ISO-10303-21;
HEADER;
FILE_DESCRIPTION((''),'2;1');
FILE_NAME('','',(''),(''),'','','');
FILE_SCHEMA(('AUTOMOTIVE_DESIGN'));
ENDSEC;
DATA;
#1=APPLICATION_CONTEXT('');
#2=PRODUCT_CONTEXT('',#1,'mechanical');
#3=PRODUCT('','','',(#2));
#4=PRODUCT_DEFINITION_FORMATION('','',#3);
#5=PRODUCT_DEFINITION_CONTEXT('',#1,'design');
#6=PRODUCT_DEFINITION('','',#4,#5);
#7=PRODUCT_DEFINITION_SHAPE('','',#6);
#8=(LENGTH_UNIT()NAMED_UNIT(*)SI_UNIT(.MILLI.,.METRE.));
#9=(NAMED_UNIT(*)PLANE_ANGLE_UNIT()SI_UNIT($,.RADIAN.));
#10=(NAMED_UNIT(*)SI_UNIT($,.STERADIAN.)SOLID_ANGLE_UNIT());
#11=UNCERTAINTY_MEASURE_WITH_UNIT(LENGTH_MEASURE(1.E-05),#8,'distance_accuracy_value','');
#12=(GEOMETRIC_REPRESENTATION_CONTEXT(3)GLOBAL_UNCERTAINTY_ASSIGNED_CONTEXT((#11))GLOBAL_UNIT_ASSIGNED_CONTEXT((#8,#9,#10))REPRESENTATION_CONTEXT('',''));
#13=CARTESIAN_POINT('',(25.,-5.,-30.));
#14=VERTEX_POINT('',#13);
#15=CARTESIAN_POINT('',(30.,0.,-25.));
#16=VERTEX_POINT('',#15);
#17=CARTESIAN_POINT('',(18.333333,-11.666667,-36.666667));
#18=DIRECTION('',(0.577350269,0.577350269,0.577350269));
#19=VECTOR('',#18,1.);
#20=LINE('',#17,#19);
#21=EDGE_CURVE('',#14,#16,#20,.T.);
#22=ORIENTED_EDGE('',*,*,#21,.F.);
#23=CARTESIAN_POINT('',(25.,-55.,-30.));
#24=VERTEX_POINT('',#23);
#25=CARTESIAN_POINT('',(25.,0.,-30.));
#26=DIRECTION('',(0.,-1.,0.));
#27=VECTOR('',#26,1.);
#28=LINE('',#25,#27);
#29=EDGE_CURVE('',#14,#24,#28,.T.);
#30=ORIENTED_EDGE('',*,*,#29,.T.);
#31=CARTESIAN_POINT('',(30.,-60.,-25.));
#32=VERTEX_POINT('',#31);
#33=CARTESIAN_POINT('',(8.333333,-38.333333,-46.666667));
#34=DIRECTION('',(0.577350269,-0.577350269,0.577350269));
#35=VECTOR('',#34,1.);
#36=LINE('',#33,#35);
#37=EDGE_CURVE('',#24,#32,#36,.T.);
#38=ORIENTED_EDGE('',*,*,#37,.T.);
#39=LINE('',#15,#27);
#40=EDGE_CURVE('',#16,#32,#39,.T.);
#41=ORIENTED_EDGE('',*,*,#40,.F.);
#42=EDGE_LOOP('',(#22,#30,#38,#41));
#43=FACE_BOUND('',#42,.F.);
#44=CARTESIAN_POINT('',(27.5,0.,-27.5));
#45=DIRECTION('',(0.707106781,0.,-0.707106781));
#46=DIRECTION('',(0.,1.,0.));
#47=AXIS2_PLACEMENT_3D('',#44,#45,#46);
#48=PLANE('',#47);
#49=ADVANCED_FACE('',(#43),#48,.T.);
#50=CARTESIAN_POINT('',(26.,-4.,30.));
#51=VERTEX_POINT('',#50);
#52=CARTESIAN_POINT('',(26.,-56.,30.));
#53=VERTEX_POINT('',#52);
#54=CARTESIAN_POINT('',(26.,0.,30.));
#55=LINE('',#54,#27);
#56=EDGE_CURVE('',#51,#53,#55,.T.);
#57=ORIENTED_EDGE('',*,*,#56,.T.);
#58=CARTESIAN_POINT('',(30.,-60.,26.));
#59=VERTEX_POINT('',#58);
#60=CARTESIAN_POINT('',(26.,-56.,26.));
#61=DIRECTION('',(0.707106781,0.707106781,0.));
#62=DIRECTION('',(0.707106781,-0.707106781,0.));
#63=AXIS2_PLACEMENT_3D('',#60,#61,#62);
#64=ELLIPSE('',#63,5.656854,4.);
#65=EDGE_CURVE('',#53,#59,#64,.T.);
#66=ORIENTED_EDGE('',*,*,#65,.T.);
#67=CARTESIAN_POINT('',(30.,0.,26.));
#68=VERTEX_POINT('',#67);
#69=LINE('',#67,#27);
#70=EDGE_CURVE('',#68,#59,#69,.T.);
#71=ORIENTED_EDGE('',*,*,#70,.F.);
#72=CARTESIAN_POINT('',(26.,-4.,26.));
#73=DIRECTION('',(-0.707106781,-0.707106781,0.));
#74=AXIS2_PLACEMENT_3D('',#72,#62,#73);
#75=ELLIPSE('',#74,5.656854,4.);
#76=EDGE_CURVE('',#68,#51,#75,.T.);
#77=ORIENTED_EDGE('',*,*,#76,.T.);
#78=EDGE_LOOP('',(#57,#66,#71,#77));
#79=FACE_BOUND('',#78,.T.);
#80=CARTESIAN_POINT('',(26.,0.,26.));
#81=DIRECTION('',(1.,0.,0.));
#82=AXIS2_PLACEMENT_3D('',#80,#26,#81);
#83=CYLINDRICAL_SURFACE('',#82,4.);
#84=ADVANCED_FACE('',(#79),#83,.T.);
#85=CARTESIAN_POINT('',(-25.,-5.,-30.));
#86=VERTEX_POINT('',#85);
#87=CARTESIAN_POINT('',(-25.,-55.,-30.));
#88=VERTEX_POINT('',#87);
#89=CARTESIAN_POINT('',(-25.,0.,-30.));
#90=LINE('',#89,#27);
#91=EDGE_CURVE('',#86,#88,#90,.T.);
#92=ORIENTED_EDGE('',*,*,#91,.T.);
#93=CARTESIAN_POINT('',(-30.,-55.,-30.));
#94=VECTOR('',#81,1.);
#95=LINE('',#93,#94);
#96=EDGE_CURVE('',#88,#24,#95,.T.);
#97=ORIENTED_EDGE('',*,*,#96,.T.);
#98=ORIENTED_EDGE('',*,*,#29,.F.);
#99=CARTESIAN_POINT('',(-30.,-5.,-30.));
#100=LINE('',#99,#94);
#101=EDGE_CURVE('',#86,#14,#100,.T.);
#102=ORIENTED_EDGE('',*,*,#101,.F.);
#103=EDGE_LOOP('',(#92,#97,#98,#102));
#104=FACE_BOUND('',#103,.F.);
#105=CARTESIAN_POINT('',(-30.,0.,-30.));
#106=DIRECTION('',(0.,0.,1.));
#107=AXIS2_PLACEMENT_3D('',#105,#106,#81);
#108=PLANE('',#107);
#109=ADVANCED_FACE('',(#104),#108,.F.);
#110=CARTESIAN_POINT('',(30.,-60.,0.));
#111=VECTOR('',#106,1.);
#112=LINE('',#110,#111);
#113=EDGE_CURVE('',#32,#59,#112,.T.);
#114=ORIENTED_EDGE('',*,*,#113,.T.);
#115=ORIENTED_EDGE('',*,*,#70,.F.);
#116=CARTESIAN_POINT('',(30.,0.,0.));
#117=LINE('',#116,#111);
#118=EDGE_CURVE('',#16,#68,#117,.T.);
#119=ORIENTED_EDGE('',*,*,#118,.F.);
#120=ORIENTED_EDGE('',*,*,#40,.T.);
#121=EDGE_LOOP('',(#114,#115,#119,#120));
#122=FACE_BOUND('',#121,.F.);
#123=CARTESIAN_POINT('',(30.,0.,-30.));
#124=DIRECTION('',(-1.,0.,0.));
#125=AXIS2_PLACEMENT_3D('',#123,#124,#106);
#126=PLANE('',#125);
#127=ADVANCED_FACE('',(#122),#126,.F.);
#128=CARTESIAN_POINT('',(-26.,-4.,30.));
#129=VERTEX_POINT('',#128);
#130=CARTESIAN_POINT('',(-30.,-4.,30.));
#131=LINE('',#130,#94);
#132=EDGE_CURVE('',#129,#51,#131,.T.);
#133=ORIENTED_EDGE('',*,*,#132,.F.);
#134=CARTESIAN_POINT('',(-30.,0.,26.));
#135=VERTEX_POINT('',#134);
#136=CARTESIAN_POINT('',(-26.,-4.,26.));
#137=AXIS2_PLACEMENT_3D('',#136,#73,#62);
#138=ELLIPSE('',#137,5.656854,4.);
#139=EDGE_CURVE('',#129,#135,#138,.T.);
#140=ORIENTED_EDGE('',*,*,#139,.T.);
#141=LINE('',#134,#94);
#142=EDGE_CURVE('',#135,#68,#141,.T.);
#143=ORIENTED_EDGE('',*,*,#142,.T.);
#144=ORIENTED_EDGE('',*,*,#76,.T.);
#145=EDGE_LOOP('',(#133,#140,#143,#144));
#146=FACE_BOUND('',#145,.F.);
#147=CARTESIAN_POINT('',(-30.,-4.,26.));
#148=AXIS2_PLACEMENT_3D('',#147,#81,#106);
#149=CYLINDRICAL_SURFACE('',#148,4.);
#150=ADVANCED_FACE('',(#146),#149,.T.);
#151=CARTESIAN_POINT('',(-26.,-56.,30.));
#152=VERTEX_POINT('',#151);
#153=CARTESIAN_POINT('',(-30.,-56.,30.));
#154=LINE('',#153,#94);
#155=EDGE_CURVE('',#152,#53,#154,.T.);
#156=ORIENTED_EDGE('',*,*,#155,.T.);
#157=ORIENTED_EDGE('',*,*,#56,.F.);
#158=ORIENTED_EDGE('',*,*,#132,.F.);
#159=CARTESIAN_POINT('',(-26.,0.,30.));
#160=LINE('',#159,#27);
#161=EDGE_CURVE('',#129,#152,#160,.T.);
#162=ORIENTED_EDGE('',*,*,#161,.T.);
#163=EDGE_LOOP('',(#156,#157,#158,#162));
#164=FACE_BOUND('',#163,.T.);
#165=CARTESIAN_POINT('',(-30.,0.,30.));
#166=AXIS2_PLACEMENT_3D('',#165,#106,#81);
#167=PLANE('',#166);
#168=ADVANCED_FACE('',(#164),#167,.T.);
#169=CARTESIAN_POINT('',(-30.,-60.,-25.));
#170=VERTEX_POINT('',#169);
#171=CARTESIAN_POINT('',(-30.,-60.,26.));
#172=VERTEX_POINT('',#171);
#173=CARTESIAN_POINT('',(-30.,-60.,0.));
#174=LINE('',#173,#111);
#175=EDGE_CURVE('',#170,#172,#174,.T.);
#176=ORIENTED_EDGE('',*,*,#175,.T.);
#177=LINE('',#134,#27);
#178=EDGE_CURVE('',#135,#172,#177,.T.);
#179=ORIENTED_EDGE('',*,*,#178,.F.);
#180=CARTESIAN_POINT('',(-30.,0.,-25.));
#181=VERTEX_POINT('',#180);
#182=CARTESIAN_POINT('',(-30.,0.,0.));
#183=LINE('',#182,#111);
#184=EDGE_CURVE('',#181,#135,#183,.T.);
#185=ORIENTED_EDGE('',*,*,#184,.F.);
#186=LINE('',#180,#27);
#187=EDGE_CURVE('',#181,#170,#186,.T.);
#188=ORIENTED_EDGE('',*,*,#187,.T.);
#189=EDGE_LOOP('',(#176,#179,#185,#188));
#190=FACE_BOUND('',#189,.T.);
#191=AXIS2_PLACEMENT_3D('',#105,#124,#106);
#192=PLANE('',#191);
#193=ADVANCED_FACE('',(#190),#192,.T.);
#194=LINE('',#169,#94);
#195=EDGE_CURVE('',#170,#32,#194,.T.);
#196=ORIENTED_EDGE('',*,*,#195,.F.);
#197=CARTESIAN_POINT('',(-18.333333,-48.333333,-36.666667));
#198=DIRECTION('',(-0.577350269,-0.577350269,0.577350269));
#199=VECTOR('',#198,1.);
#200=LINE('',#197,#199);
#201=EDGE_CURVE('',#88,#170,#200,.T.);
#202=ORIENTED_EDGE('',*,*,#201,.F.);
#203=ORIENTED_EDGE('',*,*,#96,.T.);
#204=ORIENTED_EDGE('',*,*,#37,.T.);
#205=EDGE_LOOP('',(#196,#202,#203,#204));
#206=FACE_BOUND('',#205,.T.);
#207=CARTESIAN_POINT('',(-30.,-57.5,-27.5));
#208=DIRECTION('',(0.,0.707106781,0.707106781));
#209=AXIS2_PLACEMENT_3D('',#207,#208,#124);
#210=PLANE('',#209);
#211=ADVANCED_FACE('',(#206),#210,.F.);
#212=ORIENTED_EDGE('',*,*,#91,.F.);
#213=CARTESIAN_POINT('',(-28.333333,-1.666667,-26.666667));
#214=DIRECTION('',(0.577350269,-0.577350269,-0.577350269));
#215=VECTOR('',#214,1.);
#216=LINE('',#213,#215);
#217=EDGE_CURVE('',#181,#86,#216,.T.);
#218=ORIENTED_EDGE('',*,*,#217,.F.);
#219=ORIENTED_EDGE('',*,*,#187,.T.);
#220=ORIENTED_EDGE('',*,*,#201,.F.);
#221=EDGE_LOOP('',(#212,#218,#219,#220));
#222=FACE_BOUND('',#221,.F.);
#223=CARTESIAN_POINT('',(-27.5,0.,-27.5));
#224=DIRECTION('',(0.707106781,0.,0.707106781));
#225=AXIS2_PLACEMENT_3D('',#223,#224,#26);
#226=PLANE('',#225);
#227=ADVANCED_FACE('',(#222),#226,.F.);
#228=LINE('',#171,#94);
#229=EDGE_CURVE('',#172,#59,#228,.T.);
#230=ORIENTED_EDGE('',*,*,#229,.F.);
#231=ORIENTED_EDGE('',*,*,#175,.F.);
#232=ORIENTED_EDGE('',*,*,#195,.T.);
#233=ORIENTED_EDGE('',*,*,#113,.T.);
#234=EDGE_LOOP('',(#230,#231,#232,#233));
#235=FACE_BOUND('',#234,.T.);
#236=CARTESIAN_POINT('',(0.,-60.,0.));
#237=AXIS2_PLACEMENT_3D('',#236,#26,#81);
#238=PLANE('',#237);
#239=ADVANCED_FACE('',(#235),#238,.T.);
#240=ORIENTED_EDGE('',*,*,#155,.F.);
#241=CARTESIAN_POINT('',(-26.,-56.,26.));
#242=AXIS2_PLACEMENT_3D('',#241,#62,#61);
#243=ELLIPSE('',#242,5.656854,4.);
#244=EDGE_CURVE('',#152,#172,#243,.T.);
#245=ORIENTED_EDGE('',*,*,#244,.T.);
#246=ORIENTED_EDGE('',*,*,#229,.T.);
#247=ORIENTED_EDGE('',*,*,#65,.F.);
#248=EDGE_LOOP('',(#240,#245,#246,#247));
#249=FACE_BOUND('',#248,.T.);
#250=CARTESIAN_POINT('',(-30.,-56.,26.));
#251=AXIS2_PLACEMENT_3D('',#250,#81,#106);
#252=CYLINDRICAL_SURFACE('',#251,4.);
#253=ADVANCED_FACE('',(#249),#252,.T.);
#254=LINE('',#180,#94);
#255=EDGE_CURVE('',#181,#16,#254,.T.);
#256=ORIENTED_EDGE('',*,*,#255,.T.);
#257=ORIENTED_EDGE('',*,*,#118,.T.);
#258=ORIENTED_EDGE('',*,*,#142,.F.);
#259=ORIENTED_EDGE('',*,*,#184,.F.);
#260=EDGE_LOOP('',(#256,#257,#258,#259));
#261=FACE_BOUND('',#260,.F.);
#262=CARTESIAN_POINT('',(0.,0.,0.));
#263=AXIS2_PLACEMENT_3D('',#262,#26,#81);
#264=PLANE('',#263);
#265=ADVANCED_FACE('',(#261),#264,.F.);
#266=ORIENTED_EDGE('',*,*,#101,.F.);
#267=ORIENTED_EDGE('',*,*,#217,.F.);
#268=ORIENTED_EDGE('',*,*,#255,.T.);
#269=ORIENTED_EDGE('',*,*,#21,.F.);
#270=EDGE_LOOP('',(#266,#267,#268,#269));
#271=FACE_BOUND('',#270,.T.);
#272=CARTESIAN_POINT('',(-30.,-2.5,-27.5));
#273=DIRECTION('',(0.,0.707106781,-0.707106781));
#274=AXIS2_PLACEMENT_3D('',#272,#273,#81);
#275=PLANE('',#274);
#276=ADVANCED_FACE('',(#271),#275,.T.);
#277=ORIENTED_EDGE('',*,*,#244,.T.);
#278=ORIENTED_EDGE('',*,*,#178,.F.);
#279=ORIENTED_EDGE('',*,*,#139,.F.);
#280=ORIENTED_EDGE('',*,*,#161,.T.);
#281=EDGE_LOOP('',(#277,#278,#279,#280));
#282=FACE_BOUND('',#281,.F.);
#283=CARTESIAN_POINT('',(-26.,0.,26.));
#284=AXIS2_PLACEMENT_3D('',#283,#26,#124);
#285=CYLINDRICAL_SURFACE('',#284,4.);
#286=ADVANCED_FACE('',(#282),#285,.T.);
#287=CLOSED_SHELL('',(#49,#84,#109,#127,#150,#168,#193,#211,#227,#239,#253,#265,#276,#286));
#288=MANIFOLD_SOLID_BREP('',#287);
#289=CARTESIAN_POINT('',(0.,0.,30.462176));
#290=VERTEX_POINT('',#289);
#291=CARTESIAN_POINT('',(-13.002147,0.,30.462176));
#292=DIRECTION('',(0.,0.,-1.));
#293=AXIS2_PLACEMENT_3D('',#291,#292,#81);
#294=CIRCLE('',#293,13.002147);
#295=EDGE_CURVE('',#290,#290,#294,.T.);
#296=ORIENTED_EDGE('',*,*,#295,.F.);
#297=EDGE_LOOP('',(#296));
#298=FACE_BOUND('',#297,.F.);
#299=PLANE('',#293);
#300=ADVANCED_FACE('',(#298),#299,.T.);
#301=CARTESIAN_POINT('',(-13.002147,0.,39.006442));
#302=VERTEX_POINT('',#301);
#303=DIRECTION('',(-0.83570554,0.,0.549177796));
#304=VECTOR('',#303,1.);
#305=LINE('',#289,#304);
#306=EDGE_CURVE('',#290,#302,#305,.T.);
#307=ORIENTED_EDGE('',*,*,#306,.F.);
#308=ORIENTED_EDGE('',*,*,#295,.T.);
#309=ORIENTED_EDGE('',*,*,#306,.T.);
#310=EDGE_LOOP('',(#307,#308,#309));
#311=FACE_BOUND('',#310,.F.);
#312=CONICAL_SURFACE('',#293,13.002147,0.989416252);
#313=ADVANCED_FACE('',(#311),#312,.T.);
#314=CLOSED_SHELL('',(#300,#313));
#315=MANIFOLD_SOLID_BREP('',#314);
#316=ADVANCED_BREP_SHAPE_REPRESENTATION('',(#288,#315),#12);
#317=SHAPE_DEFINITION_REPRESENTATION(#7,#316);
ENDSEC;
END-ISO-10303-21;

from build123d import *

# Parameters (mm, degrees)
F0_W     = 60
F0_H     = 60
F1_DEPTH = 60
F2_R     = 4
F3_SIZE  = 5


with BuildPart() as f1:
    # F0 (on Front) → F1 (new body)
    with BuildSketch(Plane.XZ):
        Rectangle(F0_W, F0_H)
    extrude(amount=F1_DEPTH)

    # F2
    f2_edges = [f1.edges().sort_by_distance(p)[0] for p in [
        (0, -60, 30),
        (30, -30, 30),
        (0, 0, 30),
        (-30, -30, 30),
    ]]
    fillet(f2_edges, radius=F2_R)

    # F3
    f3_edges = [f1.edges().sort_by_distance(p)[0] for p in [
        (0, -60, -30),
        (30, -30, -30),
        (0, 0, -30),
        (-30, -30, -30),
    ]]
    chamfer(f3_edges, length=F3_SIZE)


with BuildPart() as f5:
    # F4 (on Front) → F5 (revolve)
    with BuildSketch(Plane.XZ):
        Polygon((0, 30.462176), (-13.002147, 39.006442), (-13.002147, 30.462176), align=None)
    revolve(axis=Axis((-13.002147, 0, 34.734309), (0, 0, -1)))


solid = Compound([f1.part, f5.part])
